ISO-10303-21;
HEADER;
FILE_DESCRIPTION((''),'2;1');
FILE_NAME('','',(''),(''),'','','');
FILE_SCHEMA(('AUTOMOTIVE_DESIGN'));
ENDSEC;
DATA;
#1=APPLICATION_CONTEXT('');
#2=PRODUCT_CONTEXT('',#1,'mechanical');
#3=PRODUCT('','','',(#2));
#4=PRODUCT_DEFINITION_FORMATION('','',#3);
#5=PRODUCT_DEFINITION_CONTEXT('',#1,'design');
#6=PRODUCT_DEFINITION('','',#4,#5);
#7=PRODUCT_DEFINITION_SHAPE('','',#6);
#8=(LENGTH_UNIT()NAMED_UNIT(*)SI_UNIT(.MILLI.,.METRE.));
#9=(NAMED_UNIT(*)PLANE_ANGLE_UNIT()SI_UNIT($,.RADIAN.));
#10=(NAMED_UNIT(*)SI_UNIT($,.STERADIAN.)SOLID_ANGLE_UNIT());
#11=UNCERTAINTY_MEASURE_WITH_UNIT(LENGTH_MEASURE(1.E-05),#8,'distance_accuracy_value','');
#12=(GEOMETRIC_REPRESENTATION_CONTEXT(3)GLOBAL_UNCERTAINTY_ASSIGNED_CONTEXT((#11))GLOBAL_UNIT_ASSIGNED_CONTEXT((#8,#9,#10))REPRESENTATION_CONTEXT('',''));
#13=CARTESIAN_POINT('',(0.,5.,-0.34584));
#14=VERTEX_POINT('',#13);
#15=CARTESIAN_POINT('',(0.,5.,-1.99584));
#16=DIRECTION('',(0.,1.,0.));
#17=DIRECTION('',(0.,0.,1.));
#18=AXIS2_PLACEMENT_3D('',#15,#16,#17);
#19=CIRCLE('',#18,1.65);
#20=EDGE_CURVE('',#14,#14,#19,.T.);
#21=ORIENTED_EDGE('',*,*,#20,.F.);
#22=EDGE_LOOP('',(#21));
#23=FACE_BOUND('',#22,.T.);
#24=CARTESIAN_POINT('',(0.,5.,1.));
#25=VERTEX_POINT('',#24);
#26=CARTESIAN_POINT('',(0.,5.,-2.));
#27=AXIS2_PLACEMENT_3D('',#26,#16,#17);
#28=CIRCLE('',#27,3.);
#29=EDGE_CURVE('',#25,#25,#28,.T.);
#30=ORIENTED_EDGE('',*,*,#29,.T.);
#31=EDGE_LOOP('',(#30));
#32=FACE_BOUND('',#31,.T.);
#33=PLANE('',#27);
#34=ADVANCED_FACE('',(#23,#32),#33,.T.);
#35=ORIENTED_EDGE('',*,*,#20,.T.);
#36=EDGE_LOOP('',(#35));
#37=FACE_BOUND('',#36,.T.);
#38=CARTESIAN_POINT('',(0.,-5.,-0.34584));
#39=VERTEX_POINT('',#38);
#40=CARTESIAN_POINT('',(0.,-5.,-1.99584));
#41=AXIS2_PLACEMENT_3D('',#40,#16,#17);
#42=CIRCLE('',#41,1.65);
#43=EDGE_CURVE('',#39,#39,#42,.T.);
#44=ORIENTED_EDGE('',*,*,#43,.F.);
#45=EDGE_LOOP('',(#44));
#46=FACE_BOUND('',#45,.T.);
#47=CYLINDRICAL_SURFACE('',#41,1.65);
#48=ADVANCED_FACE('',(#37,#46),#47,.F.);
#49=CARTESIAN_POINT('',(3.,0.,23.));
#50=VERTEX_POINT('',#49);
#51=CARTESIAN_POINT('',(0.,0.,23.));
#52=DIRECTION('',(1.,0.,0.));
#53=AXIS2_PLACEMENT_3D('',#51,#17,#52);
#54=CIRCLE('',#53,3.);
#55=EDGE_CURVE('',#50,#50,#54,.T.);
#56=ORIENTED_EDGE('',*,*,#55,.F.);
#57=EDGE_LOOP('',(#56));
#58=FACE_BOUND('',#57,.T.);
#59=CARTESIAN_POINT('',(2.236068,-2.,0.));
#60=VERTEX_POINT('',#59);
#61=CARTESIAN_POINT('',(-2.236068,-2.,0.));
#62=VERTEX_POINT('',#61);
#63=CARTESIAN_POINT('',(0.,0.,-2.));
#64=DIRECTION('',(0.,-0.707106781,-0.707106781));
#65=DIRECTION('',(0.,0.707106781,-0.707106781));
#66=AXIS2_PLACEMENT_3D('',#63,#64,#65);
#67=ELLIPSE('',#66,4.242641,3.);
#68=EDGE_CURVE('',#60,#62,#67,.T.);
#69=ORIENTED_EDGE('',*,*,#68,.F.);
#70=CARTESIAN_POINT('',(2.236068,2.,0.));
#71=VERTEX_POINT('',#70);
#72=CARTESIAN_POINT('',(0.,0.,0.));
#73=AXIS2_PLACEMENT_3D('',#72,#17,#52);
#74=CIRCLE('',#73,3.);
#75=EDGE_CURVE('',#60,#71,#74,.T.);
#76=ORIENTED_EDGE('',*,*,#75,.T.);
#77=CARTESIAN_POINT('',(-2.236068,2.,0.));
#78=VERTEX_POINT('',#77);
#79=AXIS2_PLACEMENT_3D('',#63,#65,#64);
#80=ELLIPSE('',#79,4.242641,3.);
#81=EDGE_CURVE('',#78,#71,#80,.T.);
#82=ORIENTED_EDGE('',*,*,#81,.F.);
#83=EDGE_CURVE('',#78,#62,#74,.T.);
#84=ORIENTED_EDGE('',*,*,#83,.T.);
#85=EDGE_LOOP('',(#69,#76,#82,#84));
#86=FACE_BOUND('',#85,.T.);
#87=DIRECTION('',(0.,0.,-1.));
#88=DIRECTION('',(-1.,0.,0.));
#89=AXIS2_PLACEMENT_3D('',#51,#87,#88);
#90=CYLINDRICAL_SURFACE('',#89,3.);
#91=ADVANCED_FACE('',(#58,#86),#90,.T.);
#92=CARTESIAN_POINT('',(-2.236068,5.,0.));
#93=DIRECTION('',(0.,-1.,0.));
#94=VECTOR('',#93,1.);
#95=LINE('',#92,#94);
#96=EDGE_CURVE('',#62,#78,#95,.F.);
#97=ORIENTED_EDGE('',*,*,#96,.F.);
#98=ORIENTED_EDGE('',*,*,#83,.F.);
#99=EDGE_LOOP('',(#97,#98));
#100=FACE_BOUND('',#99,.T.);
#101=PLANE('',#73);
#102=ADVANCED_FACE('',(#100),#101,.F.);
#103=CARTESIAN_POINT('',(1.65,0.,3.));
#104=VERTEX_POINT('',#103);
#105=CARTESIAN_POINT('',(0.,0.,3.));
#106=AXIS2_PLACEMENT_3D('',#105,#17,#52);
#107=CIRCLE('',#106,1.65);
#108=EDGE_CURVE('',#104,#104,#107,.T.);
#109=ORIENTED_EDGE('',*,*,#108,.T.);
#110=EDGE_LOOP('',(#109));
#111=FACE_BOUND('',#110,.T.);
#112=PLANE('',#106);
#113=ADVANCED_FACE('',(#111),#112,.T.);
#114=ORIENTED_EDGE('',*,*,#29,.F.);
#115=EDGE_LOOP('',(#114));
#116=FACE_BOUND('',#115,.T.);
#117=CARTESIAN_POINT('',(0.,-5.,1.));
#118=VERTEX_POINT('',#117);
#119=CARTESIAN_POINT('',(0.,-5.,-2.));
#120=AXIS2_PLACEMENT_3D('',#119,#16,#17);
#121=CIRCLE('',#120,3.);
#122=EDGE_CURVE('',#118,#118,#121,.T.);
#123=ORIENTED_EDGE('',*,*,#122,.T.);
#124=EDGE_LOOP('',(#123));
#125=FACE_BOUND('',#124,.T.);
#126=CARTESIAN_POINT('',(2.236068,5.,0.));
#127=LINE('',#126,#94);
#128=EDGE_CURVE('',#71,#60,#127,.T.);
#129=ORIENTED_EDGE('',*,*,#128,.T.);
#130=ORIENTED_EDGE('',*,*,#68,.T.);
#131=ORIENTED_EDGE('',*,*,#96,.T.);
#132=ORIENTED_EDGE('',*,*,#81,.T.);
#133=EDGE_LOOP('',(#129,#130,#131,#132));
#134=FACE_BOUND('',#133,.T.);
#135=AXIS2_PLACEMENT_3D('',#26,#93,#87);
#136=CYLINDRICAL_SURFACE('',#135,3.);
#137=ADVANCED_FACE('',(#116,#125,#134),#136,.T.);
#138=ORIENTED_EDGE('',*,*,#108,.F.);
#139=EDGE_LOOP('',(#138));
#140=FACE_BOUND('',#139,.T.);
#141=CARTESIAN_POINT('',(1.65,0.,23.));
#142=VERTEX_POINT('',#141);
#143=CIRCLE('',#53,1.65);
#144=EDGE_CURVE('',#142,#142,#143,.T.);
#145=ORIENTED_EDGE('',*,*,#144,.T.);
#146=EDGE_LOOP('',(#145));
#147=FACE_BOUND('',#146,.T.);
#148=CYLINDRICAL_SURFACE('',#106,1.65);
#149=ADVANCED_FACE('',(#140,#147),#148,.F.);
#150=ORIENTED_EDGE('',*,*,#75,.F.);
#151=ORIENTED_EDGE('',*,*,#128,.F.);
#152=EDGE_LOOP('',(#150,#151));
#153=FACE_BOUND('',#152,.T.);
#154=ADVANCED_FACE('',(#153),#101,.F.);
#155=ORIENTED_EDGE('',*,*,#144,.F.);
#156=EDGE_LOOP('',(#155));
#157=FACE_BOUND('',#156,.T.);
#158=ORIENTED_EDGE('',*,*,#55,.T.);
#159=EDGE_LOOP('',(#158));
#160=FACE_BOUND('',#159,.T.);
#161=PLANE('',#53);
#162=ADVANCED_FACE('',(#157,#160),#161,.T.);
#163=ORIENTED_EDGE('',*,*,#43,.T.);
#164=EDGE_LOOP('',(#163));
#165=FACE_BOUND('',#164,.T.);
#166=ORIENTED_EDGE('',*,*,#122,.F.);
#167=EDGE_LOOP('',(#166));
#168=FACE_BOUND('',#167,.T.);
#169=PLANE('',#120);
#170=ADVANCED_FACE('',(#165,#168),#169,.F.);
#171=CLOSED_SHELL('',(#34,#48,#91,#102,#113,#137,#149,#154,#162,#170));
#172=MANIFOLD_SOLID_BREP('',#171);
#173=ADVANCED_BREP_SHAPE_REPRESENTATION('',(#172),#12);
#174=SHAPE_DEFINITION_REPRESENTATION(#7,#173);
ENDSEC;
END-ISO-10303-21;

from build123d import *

# Parameters (mm, degrees)
SKICA1_R                 = 3
P_IDAT_VYSUNUT_M1_DEPTH  = 23
SKICA2_R                 = 1.65
ODEBRAT_VYSUNUT_M1_DEPTH = 20
SKICA3_R                 = 3
P_IDAT_VYSUNUT_M2_DEPTH  = 5
SKICA4_R                 = 1.65
ODEBRAT_VYSUNUT_M2_DEPTH = 10


with BuildPart() as part:
    # Skica1 → Přidat vysunutím1 (new body)
    with BuildSketch(Plane.XY):
        Circle(SKICA1_R)
    extrude(amount=P_IDAT_VYSUNUT_M1_DEPTH)

    # Skica2 → Odebrat vysunutím1 (cut)
    with BuildSketch(Plane.XY.offset(23)):
        Circle(SKICA2_R)
    extrude(amount=-ODEBRAT_VYSUNUT_M1_DEPTH, mode=Mode.SUBTRACT)

    # Skica3 → Přidat vysunutím2 (add, symmetric)
    with BuildSketch(Plane(origin=(0, 0, 0), x_dir=(1, 0, 0), z_dir=(0, 1, 0))):
        with Locations((0, 2)):
            Circle(SKICA3_R)
    extrude(amount=P_IDAT_VYSUNUT_M2_DEPTH, both=True)

    # Skica4 → Odebrat vysunutím2 (cut)
    with BuildSketch(Plane(origin=(0, 5, 0), x_dir=(1, 0, 0), z_dir=(0, 1, 0))):
        with Locations((0, 1.995839667)):
            Circle(SKICA4_R)
    extrude(amount=-ODEBRAT_VYSUNUT_M2_DEPTH, mode=Mode.SUBTRACT)


solid = part.part
